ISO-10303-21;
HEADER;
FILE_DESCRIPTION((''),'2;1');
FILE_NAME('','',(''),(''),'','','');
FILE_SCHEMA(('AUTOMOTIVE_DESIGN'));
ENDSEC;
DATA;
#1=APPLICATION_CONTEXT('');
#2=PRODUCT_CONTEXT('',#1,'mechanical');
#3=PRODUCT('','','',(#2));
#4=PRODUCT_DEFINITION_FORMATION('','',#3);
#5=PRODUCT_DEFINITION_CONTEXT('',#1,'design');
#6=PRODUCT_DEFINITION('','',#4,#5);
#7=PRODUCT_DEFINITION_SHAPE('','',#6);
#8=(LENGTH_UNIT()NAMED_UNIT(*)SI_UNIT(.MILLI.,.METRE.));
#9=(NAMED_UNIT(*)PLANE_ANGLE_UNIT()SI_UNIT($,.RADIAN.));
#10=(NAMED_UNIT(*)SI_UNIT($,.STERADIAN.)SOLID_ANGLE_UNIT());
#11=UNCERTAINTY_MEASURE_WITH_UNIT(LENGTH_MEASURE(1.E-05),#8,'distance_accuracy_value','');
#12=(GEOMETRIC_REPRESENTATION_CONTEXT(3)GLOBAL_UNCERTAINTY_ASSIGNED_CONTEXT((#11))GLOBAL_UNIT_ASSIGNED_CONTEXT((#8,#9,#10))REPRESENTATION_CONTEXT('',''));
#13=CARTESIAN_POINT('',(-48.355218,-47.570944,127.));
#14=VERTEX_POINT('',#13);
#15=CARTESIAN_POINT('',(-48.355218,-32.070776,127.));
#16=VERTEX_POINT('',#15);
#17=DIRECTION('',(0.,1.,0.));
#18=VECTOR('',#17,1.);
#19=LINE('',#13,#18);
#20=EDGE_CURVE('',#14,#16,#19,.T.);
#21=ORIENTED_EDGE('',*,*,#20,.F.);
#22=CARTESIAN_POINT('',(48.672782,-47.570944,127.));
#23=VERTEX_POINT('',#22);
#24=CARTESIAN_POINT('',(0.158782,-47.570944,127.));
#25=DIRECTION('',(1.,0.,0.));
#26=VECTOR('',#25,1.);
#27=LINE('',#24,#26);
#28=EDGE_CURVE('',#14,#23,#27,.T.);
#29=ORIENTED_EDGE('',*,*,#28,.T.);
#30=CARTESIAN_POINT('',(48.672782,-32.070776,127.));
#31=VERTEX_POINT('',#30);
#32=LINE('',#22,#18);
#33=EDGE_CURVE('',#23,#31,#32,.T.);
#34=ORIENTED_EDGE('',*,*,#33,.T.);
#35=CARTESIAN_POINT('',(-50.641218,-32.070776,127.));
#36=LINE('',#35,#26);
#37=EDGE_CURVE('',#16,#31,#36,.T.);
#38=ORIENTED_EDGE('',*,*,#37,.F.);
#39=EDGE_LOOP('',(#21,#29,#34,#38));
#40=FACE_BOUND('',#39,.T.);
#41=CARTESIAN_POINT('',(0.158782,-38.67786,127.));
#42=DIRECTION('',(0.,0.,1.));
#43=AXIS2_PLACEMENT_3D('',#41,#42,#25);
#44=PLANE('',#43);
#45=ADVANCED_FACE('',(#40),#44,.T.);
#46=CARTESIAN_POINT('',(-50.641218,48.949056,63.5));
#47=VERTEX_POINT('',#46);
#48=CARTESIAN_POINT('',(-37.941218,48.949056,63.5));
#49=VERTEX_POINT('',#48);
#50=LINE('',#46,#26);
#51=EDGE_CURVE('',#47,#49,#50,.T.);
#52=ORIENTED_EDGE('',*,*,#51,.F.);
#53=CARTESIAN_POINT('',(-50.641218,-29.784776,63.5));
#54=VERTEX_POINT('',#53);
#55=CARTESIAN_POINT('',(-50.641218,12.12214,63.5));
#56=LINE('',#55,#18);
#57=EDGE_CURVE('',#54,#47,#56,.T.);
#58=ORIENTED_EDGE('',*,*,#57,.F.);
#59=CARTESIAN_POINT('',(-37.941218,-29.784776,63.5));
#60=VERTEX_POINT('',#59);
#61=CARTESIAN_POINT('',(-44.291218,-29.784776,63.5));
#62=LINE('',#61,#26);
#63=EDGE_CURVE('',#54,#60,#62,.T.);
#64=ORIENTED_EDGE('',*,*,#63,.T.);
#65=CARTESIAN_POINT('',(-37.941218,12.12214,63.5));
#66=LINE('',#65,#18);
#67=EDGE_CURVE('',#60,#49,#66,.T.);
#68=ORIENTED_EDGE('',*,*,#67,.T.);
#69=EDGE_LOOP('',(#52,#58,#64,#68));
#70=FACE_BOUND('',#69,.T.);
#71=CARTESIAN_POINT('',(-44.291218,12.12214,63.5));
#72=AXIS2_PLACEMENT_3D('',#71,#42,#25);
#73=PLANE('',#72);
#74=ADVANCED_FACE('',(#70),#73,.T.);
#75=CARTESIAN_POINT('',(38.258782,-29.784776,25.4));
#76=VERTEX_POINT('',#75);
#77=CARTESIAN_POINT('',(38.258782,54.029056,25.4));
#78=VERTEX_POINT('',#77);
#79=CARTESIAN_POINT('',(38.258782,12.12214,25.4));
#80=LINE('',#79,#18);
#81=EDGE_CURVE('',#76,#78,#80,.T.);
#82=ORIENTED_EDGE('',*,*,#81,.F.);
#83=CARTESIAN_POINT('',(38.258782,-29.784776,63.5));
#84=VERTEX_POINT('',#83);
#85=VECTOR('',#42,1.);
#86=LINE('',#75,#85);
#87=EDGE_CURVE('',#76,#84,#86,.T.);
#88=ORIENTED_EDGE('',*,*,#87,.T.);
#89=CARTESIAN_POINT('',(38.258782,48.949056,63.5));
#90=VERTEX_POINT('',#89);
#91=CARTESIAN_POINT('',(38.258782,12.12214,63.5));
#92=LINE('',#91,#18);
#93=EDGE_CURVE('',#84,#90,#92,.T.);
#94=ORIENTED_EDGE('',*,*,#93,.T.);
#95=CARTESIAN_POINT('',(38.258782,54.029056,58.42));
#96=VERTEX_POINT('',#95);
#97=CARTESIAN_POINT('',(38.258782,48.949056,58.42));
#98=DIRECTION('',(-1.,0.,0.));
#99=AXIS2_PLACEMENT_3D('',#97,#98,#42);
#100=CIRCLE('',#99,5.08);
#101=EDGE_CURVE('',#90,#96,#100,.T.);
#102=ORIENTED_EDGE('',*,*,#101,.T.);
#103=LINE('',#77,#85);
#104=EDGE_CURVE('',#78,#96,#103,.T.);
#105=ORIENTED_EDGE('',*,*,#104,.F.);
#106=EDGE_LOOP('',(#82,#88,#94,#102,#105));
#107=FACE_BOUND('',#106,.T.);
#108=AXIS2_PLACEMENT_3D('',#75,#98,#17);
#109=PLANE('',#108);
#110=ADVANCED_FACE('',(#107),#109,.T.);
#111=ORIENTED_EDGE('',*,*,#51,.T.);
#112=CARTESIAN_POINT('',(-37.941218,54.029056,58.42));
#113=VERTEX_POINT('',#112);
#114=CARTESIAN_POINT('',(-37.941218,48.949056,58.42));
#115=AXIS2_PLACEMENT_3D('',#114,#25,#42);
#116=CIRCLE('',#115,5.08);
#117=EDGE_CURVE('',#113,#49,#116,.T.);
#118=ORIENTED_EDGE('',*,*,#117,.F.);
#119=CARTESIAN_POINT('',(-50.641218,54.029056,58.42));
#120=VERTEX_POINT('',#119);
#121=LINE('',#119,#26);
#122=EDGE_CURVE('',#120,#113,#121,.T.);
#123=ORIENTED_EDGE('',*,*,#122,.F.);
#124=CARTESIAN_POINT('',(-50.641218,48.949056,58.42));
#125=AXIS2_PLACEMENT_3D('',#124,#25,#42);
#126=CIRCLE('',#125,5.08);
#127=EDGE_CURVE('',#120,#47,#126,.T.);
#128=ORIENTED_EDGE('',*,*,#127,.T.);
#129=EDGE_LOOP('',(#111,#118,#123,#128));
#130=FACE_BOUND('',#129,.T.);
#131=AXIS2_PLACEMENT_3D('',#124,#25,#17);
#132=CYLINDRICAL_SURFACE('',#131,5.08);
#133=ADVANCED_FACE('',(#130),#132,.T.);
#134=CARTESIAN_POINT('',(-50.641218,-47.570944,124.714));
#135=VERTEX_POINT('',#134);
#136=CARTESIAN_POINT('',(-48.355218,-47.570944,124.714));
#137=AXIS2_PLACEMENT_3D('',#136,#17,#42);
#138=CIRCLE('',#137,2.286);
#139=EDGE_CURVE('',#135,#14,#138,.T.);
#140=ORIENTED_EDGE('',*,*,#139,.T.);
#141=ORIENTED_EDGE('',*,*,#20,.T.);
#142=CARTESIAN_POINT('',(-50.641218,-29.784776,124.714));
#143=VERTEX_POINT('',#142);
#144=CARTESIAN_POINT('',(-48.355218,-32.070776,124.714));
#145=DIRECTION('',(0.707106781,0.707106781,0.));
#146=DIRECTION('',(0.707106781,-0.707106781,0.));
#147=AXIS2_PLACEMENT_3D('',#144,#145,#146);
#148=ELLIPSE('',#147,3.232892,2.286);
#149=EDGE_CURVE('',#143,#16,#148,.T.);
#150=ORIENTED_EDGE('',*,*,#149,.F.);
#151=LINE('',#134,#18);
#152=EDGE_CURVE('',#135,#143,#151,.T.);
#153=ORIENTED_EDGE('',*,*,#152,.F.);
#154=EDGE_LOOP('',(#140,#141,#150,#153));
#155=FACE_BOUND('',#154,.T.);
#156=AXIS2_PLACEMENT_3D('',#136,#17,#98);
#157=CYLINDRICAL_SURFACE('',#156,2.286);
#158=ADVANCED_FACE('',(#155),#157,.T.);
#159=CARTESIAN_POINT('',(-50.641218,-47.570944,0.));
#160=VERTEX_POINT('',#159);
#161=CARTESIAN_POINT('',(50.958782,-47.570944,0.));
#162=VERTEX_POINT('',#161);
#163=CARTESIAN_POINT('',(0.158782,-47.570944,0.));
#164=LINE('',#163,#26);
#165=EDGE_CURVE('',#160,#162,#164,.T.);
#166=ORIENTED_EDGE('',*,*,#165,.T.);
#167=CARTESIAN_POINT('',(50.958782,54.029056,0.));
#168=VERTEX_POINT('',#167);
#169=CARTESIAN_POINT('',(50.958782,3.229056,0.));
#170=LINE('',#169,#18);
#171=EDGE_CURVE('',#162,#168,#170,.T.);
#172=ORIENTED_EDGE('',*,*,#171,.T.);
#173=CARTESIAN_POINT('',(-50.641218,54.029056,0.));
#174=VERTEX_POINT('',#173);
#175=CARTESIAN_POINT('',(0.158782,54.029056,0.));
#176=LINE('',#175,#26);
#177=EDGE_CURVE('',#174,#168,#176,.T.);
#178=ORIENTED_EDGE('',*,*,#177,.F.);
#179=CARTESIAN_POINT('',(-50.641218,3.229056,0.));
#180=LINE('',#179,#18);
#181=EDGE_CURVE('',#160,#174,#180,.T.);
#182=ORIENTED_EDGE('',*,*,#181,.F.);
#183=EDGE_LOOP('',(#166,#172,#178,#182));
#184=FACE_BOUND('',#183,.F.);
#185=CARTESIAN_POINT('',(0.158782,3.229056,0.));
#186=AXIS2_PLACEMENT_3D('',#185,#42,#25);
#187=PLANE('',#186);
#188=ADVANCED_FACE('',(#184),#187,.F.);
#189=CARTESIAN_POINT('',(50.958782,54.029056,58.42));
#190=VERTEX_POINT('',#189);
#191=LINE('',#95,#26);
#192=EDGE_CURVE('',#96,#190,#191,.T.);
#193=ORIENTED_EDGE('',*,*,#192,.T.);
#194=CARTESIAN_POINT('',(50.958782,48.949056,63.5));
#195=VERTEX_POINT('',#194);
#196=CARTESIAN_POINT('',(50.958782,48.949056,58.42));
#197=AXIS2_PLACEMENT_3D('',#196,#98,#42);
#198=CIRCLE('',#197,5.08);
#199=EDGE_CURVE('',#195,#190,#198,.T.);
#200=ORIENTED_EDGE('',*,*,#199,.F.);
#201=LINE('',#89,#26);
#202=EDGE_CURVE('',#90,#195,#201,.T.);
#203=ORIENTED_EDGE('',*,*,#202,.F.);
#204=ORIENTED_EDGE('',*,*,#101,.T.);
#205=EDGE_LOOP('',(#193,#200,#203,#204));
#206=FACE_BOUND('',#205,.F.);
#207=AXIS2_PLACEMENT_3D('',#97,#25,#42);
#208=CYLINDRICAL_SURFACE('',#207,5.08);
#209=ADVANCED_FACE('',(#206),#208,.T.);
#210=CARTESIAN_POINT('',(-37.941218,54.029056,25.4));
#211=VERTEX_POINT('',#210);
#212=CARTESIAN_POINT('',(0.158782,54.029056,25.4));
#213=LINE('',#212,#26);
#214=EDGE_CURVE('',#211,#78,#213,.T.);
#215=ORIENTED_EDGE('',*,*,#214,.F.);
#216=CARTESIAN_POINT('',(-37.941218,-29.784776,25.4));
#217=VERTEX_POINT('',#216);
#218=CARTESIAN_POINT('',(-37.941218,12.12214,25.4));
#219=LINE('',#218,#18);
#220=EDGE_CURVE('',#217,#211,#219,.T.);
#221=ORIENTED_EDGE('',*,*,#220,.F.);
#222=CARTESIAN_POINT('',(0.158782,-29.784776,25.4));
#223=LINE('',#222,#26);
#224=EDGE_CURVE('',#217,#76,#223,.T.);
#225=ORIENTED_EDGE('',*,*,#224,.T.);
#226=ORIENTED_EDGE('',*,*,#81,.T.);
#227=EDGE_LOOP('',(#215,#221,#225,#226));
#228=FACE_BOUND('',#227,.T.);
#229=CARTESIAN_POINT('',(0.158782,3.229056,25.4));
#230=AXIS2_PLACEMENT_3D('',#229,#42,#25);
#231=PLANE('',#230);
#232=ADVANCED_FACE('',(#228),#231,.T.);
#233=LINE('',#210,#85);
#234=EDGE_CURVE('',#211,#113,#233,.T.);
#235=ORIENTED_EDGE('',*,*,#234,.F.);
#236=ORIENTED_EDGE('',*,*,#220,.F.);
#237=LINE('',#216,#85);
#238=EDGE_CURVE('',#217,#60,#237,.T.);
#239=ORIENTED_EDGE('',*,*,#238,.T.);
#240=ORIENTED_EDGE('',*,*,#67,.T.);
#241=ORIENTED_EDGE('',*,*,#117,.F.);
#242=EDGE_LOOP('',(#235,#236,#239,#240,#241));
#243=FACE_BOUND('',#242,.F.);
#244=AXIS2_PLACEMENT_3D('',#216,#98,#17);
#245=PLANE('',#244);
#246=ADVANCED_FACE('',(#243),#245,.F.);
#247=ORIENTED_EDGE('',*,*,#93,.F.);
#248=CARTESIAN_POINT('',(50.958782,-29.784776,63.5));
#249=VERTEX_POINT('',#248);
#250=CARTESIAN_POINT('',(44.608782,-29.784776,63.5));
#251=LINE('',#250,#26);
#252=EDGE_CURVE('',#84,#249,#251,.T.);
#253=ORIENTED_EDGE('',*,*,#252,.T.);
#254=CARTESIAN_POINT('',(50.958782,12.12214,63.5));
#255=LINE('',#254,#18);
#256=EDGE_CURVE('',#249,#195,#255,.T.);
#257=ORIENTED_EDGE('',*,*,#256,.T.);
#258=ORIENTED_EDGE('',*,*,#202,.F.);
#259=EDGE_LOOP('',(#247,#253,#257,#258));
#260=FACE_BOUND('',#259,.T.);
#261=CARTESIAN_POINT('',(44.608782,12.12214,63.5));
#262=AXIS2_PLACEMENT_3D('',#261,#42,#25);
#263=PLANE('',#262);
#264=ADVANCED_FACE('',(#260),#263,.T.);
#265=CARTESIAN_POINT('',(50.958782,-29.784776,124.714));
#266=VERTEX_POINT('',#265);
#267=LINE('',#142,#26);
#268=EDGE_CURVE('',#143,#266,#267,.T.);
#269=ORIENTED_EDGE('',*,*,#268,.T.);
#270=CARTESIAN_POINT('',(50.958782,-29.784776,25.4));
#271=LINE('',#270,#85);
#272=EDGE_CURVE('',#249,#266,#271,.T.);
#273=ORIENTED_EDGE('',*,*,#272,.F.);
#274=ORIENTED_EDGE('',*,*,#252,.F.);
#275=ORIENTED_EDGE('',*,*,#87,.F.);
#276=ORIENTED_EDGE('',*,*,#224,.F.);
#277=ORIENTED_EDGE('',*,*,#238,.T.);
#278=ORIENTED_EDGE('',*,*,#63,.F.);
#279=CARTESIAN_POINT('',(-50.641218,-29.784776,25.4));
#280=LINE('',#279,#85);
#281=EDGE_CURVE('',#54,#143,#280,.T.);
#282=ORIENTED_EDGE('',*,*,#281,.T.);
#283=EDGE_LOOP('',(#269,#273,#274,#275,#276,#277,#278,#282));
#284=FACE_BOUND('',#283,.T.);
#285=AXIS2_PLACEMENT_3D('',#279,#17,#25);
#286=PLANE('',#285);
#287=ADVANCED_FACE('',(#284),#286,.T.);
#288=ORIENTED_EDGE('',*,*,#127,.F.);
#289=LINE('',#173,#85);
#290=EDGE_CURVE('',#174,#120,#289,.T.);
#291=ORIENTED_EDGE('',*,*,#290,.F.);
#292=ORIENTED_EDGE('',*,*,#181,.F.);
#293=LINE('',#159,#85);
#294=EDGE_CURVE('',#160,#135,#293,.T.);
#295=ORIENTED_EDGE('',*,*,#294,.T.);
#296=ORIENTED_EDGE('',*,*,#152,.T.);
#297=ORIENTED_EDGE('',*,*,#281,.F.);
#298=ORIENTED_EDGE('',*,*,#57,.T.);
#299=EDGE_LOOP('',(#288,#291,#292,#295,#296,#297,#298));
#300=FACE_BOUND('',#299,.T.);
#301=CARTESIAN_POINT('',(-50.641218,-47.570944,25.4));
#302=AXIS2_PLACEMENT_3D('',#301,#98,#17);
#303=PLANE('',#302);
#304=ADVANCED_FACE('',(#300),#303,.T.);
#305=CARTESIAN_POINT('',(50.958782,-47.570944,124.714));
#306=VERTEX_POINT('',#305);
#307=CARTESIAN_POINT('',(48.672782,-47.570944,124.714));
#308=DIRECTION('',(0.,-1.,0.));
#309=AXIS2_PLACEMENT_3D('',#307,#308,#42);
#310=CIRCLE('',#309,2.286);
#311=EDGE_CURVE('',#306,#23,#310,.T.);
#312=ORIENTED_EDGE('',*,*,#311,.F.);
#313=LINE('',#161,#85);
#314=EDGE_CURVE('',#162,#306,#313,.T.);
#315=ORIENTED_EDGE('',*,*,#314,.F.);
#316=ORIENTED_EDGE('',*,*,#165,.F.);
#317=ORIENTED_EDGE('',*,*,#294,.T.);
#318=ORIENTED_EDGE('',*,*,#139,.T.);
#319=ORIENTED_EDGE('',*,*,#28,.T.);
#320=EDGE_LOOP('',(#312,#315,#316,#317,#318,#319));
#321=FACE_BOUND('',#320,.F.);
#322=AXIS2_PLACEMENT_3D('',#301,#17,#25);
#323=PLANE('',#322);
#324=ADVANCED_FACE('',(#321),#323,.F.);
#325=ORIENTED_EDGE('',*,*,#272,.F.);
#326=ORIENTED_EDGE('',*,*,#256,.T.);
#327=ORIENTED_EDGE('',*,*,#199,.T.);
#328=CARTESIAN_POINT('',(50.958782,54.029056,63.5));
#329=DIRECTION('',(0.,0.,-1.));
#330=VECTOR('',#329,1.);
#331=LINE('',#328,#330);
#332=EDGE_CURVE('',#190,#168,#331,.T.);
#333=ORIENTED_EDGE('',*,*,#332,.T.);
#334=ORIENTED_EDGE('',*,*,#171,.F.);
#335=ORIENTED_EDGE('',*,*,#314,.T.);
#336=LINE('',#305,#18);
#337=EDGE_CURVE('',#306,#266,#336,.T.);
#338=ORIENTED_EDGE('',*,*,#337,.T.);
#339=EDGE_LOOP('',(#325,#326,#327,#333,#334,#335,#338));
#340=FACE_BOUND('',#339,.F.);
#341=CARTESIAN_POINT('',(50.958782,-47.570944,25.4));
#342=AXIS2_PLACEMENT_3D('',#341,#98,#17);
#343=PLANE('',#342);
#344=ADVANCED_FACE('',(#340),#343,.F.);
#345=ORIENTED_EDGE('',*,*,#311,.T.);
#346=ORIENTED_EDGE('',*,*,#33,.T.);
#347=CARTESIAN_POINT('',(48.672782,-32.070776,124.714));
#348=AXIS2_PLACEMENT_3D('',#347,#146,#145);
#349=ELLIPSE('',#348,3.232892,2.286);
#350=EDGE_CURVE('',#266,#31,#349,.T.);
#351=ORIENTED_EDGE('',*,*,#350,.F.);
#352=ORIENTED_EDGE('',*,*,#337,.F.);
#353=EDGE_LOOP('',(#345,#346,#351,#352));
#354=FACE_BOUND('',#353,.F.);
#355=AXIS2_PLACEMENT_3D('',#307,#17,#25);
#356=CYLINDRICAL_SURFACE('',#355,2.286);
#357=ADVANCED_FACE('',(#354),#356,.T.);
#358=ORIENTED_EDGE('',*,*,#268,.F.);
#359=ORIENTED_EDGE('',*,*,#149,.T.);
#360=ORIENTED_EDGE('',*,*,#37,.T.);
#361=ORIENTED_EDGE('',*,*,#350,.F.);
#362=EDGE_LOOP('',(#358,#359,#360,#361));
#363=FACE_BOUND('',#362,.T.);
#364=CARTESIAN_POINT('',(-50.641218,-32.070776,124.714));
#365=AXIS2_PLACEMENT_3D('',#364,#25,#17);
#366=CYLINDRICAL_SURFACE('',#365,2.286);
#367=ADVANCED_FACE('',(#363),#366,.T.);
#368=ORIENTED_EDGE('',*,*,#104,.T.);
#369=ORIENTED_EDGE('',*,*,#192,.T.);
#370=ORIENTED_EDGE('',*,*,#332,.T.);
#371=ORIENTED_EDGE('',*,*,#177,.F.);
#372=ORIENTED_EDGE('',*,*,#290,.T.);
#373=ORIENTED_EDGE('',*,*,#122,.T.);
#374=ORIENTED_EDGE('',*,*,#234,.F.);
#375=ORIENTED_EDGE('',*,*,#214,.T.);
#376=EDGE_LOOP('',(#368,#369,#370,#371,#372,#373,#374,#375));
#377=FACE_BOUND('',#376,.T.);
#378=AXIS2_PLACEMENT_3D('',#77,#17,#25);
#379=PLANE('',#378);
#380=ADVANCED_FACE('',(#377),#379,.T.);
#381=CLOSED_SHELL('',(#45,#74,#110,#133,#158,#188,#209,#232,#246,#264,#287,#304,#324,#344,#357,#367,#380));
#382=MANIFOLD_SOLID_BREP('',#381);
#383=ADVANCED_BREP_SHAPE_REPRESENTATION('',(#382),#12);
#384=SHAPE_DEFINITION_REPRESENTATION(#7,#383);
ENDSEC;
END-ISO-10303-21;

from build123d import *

# Parameters (mm, degrees)
F0_W     = 101.6
F0_H     = 101.6
F1_DEPTH = 25.4
F2_W     = 101.6
F2_H     = 17.786168
F3_DEPTH = 101.6
F4_W     = 12.7
F4_H     = 83.813832
F5_DEPTH = 38.1
F6_R     = 5.08
F7_R     = 5.08
F8_R     = 2.286


with BuildPart() as f1:
    # F0 (on Top) → F1 (new body)
    with BuildSketch(Plane.XY):
        with Locations((0.158782, 3.229056)):
            Rectangle(F0_W, F0_H)
    extrude(amount=F1_DEPTH)

    # F2 (on face) → F3 (join)
    with BuildSketch(Plane.XY.offset(25.4)):
        with Locations((0.158782, -38.67786)):
            Rectangle(F2_W, F2_H)
    extrude(amount=F3_DEPTH)

    # F4 (on face) → F5 (join)
    with BuildSketch(Plane.XY.offset(25.4)):
        with Locations((44.608782, 12.12214)):
            Rectangle(F4_W, F4_H)
        with Locations((-44.291218, 12.12214)):
            Rectangle(F4_W, F4_H)
    extrude(amount=F5_DEPTH)

    # F6
    f6_edges = [f1.edges().sort_by_distance(p)[0] for p in [
        (44.608782, 54.029056, 63.5),
    ]]
    fillet(f6_edges, radius=F6_R)

    # F7
    f7_edges = [f1.edges().sort_by_distance(p)[0] for p in [
        (-44.291218, 54.029056, 63.5),
    ]]
    fillet(f7_edges, radius=F7_R)

    # F8
    f8_edges = [f1.edges().sort_by_distance(p)[0] for p in [
        (0.158782, -29.784776, 127),
        (-50.641218, -38.67786, 127),
        (50.958782, -38.67786, 127),
    ]]
    fillet(f8_edges, radius=F8_R)


solid = f1.part
